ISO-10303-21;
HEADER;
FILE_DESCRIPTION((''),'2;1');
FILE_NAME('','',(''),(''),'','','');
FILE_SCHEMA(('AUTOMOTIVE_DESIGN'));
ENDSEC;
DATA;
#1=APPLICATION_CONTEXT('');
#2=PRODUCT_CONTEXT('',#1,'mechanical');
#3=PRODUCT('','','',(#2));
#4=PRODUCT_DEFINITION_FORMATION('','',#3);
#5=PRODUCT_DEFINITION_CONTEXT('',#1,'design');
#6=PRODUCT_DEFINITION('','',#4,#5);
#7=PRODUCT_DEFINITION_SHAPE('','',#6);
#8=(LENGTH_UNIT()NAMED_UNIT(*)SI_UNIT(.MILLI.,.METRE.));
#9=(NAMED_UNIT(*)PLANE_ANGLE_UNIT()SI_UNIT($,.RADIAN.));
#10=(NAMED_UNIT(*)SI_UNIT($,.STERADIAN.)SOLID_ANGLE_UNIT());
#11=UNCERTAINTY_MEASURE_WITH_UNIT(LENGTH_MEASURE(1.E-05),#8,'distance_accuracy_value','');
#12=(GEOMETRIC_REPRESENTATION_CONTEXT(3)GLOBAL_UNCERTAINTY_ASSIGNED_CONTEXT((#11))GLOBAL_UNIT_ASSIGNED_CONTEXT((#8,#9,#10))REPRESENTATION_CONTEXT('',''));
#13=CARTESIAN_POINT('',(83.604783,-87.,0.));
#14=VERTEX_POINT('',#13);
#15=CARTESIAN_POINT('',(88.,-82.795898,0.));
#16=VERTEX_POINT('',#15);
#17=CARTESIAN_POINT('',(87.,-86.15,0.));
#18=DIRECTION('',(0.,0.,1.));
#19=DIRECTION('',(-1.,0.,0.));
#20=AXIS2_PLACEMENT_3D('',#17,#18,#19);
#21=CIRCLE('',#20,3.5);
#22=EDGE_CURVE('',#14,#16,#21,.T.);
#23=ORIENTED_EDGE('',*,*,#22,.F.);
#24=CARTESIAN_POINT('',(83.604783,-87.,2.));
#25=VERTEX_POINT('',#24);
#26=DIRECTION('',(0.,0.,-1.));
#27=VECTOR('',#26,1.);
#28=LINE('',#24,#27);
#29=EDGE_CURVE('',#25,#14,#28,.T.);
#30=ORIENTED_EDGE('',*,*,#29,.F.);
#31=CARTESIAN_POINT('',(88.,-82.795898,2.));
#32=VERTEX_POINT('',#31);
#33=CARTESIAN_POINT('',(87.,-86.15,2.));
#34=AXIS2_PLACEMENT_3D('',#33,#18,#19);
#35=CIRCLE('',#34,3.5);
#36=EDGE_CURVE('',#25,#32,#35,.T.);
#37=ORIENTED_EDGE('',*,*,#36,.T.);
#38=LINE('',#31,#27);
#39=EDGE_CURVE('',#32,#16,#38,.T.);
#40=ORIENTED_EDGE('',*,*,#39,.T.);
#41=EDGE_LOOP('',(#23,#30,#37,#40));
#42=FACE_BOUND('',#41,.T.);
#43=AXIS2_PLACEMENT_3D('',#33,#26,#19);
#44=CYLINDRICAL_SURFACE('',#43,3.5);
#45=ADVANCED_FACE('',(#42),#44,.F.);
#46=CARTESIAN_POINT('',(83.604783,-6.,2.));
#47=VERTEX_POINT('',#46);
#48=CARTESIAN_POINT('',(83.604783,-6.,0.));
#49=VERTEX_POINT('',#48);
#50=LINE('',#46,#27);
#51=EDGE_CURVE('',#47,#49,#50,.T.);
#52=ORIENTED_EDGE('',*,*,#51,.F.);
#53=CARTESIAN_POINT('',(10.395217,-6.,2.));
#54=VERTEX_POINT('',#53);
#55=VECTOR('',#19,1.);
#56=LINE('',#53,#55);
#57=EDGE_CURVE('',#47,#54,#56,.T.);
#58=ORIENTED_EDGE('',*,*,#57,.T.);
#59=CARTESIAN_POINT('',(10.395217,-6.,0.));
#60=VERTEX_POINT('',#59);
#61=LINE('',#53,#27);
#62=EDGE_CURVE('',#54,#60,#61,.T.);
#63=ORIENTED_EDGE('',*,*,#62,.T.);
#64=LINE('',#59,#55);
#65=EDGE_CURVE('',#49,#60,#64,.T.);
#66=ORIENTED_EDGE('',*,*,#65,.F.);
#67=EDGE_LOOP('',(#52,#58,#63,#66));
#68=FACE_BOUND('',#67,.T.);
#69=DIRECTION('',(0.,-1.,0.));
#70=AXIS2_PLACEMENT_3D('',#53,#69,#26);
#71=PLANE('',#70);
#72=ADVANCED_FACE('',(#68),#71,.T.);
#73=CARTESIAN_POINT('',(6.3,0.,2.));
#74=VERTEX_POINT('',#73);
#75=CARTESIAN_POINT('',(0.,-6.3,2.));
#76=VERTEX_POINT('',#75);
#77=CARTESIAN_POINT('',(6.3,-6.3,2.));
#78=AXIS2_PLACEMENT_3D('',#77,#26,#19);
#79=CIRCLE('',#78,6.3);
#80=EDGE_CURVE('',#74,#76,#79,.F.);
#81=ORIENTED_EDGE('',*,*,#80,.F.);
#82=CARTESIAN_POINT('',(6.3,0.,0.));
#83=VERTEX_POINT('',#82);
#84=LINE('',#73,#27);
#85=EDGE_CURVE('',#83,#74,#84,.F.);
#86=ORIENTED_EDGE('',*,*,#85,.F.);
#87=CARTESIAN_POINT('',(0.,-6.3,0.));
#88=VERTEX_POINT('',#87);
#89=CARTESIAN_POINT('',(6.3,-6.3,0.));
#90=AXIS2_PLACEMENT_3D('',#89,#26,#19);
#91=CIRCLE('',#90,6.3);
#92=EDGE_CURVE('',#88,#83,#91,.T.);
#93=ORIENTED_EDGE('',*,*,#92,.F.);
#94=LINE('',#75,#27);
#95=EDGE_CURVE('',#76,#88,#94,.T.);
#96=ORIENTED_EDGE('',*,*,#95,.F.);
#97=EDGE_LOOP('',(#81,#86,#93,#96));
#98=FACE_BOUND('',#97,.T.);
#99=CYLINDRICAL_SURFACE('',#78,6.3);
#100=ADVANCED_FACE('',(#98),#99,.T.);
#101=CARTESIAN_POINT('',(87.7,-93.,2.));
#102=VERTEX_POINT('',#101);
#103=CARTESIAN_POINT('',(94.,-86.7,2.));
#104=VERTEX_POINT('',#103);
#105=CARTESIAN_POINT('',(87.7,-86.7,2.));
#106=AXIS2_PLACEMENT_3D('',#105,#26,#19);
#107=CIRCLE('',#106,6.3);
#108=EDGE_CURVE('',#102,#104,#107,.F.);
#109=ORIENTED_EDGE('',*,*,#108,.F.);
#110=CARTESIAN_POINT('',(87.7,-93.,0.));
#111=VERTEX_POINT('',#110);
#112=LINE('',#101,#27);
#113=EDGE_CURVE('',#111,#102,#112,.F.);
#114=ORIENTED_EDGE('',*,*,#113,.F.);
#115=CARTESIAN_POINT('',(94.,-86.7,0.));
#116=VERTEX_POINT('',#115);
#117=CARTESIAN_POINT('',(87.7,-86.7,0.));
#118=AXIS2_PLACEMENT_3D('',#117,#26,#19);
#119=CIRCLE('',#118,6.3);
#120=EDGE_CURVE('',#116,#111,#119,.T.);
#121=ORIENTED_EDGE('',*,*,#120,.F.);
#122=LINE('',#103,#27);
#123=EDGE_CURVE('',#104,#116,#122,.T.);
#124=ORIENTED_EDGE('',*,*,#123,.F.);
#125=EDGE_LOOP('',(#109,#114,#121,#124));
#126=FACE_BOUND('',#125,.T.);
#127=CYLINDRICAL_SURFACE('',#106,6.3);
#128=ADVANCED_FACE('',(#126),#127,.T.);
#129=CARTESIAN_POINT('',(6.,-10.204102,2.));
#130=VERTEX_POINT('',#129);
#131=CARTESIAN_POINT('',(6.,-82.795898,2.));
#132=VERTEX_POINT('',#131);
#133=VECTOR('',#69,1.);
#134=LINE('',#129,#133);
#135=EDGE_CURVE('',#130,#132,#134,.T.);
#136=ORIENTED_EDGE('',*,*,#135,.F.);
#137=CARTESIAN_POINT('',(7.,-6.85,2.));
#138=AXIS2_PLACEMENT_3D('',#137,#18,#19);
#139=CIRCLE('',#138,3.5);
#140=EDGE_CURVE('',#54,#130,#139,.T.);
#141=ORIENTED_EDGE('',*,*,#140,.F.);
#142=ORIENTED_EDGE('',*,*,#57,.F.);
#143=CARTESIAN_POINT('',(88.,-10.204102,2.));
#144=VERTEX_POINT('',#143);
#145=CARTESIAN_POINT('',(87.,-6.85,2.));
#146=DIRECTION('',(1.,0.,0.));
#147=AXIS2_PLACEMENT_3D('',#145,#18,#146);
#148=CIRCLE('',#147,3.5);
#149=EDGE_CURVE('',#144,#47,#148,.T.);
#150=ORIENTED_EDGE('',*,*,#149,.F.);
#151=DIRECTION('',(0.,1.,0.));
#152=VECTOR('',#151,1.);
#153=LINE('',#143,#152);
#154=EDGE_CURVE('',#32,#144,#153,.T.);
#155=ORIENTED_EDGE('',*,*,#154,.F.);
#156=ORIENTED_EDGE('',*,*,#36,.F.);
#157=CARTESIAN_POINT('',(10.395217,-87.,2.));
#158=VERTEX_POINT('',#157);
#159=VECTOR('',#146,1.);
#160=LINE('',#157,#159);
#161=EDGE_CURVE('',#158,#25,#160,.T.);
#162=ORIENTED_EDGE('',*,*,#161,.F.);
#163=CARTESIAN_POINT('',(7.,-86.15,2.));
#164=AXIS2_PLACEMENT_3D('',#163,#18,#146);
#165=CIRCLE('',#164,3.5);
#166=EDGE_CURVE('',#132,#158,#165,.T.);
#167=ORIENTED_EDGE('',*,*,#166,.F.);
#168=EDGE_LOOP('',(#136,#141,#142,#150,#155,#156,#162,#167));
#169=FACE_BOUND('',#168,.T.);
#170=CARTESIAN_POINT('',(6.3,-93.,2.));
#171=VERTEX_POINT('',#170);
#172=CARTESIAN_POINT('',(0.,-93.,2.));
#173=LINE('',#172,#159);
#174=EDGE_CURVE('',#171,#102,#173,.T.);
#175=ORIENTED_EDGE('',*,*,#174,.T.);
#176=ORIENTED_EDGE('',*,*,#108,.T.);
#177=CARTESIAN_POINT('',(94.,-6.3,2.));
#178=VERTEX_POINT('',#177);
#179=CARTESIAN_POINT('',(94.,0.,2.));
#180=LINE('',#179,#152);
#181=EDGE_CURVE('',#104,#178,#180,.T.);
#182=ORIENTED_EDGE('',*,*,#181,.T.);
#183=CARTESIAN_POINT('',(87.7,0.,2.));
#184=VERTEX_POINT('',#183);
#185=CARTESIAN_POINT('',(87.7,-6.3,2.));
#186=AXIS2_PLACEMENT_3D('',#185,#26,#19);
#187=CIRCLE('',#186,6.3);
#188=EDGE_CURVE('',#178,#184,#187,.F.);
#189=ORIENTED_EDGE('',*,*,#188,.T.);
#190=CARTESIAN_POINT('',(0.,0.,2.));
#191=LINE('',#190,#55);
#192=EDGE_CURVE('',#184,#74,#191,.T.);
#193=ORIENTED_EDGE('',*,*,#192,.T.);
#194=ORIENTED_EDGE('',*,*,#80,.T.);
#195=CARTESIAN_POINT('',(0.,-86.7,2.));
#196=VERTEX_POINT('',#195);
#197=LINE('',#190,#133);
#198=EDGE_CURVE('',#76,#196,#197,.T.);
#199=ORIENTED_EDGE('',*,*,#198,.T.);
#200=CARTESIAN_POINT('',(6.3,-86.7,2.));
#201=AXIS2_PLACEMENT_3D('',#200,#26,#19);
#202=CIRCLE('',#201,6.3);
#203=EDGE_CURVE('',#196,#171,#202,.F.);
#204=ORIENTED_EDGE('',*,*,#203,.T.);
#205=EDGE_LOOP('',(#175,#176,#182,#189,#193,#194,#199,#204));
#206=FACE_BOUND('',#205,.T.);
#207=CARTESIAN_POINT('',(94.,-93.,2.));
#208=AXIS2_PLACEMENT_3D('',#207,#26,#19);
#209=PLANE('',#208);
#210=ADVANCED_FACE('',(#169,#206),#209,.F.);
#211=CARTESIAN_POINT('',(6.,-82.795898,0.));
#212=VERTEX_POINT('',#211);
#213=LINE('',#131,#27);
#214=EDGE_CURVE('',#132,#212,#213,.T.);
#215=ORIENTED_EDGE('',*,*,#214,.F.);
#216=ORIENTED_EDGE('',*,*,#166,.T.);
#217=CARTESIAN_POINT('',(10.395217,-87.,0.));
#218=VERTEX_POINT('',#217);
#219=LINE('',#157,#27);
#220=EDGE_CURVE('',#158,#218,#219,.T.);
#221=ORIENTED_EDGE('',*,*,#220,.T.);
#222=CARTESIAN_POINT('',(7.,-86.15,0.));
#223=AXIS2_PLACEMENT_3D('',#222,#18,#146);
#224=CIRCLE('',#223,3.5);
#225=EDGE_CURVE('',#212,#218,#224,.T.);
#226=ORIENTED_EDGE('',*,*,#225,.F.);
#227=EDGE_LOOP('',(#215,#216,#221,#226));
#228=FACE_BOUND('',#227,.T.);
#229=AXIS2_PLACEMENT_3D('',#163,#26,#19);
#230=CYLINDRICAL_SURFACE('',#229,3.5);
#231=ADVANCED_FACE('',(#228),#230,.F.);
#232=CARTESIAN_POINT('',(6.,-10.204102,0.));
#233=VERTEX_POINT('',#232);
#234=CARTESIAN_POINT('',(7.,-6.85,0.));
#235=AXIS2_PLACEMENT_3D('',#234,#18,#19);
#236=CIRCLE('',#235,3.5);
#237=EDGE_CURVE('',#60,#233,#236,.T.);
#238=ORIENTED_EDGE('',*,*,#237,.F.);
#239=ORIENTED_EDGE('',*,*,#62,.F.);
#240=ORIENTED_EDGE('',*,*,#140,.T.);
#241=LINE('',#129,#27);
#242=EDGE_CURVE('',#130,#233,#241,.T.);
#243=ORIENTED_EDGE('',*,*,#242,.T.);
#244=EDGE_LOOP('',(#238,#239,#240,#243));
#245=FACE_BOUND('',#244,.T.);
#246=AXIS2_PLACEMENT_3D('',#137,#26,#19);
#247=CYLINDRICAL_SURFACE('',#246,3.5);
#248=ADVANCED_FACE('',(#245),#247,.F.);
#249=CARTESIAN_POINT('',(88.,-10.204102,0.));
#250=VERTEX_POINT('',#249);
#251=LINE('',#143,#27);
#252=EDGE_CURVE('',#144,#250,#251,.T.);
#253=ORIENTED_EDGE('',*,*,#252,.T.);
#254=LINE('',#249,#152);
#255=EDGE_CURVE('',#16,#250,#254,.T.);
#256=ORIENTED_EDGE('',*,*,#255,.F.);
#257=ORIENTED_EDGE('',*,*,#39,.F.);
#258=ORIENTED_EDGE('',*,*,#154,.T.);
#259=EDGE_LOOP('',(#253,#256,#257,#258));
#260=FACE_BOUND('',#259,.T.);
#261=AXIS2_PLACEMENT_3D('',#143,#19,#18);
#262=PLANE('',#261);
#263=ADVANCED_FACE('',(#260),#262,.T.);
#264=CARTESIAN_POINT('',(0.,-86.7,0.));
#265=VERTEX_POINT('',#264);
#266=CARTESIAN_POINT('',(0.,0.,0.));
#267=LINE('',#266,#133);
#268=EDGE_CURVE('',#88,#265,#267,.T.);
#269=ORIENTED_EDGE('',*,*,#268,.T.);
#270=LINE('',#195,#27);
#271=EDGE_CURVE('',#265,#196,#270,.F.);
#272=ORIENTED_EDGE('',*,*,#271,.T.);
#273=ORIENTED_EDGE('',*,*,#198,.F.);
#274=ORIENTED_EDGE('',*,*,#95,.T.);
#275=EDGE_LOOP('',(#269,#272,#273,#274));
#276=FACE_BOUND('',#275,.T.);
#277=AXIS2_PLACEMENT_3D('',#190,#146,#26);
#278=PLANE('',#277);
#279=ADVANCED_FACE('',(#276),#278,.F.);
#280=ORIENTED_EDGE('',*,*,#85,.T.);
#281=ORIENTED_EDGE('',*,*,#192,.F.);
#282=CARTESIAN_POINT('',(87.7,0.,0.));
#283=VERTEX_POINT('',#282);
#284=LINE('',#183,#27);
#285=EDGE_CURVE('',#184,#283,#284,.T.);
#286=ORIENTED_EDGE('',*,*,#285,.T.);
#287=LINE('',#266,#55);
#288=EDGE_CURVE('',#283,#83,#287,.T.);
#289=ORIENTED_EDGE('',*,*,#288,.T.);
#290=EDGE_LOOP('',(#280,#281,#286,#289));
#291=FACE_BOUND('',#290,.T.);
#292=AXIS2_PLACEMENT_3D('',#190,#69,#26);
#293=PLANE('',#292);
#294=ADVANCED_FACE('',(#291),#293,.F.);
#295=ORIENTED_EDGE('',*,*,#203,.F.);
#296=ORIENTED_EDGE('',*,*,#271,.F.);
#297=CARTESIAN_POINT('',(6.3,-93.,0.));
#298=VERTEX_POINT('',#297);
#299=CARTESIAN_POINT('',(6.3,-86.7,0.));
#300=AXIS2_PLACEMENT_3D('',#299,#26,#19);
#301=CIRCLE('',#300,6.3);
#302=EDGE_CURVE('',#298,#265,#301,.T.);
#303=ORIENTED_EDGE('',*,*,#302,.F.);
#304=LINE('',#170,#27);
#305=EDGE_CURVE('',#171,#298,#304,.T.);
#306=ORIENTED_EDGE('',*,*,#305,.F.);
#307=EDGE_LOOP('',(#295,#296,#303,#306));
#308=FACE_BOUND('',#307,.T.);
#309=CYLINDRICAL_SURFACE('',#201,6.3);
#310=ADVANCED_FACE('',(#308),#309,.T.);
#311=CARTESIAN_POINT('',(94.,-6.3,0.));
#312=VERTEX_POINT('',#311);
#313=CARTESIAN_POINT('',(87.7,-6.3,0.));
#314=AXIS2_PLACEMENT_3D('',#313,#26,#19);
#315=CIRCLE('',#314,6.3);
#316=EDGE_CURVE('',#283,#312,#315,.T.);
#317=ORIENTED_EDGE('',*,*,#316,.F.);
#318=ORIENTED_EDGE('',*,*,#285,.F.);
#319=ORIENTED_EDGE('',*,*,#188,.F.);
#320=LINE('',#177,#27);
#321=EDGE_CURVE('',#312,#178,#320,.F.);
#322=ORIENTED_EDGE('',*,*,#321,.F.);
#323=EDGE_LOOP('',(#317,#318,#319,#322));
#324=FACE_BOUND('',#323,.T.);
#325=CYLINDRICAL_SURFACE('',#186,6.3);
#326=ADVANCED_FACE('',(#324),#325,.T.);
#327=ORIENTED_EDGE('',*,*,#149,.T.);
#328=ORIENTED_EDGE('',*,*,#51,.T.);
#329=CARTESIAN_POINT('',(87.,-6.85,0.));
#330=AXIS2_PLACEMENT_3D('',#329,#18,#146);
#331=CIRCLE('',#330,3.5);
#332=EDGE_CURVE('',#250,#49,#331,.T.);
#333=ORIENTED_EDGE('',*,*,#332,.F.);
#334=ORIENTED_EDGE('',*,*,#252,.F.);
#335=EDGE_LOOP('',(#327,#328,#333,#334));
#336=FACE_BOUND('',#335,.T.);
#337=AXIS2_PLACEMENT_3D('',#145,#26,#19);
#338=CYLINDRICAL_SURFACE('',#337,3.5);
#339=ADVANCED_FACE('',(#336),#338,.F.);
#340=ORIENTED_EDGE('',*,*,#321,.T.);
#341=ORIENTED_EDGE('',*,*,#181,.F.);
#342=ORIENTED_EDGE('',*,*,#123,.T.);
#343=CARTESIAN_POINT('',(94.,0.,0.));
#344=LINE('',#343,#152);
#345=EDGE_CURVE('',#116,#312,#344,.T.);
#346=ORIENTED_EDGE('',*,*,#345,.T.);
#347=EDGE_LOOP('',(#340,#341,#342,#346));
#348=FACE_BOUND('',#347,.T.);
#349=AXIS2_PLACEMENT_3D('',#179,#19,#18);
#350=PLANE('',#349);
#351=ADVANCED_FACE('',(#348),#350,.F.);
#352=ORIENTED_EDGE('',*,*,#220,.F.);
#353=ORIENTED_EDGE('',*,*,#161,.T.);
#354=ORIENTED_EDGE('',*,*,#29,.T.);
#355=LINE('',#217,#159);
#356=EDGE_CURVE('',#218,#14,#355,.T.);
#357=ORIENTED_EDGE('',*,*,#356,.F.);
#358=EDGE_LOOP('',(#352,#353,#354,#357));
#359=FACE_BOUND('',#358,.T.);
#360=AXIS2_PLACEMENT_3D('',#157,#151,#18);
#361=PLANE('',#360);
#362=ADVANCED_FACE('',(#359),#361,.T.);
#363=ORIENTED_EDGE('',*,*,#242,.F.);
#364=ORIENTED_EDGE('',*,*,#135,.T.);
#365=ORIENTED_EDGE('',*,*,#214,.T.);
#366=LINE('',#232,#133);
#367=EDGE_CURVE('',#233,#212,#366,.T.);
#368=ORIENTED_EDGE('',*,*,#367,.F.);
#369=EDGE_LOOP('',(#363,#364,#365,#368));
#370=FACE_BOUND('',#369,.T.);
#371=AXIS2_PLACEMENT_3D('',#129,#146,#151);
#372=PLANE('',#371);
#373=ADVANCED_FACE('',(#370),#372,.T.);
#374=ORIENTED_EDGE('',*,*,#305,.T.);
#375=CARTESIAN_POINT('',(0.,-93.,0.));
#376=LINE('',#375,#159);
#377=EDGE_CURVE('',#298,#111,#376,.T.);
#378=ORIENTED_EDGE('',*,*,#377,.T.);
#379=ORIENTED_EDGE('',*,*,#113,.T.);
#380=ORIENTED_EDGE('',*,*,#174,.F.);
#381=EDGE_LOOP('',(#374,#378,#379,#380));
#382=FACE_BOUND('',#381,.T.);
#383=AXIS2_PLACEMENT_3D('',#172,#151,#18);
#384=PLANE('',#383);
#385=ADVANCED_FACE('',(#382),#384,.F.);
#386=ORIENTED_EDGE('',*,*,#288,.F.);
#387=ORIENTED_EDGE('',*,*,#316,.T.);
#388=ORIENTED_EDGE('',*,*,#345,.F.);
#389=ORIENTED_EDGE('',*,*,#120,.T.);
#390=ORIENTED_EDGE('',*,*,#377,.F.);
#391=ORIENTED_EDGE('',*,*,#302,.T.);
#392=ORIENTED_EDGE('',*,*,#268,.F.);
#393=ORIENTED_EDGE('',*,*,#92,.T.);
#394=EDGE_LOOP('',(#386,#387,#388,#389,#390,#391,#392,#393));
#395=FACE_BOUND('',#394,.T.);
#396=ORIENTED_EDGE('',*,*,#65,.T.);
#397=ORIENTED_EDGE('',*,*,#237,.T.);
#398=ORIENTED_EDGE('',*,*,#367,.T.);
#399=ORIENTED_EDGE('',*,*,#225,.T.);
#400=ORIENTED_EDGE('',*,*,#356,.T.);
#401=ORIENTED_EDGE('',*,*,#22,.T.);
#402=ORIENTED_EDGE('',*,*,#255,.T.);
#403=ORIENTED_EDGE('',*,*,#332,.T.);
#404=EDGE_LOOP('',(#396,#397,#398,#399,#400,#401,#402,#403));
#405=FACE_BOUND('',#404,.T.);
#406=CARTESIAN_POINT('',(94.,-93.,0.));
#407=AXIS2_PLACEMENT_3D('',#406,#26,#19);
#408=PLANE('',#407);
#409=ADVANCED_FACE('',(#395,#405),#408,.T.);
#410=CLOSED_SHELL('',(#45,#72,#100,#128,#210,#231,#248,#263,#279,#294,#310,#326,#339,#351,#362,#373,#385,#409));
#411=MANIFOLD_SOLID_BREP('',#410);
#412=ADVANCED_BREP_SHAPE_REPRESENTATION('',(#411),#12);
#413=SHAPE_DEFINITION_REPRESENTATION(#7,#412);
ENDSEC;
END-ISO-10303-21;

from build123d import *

# Parameters (mm, degrees)
ESQUISSE1_W      = 94
ESQUISSE1_H      = 93
EXTRUSION1_DEPTH = 2
CONG_1_R         = 6.3


with BuildPart() as part:
    # Esquisse1 → Extrusion1 (new body)
    with BuildSketch(Plane.XY):
        with Locations((47, -46.5)):
            Rectangle(ESQUISSE1_W, ESQUISSE1_H)
        with BuildLine():
            Line((88, -10.204101966), (88, -82.795898034))
            ThreePointArc((88, -82.795898034), (89.419273594, -88.67925192), (83.604782776, -87))
            Line((83.604782776, -87), (10.395217224, -87))
            ThreePointArc((10.395217224, -87), (4.580726406, -88.67925192), (6, -82.795898034))
            Line((6, -82.795898034), (6, -10.204101966))
            ThreePointArc((6, -10.204101966), (4.580726406, -4.32074808), (10.395217224, -6))
            Line((10.395217224, -6), (83.604782776, -6))
            ThreePointArc((83.604782776, -6), (89.419273594, -4.32074808), (88, -10.204101966))
        make_face(mode=Mode.SUBTRACT)
    extrude(amount=EXTRUSION1_DEPTH)

    # Congé1
    cong_1_edges = [part.edges().sort_by_distance(p)[0] for p in [
        (0, -93, 1),
        (0, 0, 1),
        (94, 0, 1),
        (94, -93, 1),
    ]]
    fillet(cong_1_edges, radius=CONG_1_R)


solid = part.part
